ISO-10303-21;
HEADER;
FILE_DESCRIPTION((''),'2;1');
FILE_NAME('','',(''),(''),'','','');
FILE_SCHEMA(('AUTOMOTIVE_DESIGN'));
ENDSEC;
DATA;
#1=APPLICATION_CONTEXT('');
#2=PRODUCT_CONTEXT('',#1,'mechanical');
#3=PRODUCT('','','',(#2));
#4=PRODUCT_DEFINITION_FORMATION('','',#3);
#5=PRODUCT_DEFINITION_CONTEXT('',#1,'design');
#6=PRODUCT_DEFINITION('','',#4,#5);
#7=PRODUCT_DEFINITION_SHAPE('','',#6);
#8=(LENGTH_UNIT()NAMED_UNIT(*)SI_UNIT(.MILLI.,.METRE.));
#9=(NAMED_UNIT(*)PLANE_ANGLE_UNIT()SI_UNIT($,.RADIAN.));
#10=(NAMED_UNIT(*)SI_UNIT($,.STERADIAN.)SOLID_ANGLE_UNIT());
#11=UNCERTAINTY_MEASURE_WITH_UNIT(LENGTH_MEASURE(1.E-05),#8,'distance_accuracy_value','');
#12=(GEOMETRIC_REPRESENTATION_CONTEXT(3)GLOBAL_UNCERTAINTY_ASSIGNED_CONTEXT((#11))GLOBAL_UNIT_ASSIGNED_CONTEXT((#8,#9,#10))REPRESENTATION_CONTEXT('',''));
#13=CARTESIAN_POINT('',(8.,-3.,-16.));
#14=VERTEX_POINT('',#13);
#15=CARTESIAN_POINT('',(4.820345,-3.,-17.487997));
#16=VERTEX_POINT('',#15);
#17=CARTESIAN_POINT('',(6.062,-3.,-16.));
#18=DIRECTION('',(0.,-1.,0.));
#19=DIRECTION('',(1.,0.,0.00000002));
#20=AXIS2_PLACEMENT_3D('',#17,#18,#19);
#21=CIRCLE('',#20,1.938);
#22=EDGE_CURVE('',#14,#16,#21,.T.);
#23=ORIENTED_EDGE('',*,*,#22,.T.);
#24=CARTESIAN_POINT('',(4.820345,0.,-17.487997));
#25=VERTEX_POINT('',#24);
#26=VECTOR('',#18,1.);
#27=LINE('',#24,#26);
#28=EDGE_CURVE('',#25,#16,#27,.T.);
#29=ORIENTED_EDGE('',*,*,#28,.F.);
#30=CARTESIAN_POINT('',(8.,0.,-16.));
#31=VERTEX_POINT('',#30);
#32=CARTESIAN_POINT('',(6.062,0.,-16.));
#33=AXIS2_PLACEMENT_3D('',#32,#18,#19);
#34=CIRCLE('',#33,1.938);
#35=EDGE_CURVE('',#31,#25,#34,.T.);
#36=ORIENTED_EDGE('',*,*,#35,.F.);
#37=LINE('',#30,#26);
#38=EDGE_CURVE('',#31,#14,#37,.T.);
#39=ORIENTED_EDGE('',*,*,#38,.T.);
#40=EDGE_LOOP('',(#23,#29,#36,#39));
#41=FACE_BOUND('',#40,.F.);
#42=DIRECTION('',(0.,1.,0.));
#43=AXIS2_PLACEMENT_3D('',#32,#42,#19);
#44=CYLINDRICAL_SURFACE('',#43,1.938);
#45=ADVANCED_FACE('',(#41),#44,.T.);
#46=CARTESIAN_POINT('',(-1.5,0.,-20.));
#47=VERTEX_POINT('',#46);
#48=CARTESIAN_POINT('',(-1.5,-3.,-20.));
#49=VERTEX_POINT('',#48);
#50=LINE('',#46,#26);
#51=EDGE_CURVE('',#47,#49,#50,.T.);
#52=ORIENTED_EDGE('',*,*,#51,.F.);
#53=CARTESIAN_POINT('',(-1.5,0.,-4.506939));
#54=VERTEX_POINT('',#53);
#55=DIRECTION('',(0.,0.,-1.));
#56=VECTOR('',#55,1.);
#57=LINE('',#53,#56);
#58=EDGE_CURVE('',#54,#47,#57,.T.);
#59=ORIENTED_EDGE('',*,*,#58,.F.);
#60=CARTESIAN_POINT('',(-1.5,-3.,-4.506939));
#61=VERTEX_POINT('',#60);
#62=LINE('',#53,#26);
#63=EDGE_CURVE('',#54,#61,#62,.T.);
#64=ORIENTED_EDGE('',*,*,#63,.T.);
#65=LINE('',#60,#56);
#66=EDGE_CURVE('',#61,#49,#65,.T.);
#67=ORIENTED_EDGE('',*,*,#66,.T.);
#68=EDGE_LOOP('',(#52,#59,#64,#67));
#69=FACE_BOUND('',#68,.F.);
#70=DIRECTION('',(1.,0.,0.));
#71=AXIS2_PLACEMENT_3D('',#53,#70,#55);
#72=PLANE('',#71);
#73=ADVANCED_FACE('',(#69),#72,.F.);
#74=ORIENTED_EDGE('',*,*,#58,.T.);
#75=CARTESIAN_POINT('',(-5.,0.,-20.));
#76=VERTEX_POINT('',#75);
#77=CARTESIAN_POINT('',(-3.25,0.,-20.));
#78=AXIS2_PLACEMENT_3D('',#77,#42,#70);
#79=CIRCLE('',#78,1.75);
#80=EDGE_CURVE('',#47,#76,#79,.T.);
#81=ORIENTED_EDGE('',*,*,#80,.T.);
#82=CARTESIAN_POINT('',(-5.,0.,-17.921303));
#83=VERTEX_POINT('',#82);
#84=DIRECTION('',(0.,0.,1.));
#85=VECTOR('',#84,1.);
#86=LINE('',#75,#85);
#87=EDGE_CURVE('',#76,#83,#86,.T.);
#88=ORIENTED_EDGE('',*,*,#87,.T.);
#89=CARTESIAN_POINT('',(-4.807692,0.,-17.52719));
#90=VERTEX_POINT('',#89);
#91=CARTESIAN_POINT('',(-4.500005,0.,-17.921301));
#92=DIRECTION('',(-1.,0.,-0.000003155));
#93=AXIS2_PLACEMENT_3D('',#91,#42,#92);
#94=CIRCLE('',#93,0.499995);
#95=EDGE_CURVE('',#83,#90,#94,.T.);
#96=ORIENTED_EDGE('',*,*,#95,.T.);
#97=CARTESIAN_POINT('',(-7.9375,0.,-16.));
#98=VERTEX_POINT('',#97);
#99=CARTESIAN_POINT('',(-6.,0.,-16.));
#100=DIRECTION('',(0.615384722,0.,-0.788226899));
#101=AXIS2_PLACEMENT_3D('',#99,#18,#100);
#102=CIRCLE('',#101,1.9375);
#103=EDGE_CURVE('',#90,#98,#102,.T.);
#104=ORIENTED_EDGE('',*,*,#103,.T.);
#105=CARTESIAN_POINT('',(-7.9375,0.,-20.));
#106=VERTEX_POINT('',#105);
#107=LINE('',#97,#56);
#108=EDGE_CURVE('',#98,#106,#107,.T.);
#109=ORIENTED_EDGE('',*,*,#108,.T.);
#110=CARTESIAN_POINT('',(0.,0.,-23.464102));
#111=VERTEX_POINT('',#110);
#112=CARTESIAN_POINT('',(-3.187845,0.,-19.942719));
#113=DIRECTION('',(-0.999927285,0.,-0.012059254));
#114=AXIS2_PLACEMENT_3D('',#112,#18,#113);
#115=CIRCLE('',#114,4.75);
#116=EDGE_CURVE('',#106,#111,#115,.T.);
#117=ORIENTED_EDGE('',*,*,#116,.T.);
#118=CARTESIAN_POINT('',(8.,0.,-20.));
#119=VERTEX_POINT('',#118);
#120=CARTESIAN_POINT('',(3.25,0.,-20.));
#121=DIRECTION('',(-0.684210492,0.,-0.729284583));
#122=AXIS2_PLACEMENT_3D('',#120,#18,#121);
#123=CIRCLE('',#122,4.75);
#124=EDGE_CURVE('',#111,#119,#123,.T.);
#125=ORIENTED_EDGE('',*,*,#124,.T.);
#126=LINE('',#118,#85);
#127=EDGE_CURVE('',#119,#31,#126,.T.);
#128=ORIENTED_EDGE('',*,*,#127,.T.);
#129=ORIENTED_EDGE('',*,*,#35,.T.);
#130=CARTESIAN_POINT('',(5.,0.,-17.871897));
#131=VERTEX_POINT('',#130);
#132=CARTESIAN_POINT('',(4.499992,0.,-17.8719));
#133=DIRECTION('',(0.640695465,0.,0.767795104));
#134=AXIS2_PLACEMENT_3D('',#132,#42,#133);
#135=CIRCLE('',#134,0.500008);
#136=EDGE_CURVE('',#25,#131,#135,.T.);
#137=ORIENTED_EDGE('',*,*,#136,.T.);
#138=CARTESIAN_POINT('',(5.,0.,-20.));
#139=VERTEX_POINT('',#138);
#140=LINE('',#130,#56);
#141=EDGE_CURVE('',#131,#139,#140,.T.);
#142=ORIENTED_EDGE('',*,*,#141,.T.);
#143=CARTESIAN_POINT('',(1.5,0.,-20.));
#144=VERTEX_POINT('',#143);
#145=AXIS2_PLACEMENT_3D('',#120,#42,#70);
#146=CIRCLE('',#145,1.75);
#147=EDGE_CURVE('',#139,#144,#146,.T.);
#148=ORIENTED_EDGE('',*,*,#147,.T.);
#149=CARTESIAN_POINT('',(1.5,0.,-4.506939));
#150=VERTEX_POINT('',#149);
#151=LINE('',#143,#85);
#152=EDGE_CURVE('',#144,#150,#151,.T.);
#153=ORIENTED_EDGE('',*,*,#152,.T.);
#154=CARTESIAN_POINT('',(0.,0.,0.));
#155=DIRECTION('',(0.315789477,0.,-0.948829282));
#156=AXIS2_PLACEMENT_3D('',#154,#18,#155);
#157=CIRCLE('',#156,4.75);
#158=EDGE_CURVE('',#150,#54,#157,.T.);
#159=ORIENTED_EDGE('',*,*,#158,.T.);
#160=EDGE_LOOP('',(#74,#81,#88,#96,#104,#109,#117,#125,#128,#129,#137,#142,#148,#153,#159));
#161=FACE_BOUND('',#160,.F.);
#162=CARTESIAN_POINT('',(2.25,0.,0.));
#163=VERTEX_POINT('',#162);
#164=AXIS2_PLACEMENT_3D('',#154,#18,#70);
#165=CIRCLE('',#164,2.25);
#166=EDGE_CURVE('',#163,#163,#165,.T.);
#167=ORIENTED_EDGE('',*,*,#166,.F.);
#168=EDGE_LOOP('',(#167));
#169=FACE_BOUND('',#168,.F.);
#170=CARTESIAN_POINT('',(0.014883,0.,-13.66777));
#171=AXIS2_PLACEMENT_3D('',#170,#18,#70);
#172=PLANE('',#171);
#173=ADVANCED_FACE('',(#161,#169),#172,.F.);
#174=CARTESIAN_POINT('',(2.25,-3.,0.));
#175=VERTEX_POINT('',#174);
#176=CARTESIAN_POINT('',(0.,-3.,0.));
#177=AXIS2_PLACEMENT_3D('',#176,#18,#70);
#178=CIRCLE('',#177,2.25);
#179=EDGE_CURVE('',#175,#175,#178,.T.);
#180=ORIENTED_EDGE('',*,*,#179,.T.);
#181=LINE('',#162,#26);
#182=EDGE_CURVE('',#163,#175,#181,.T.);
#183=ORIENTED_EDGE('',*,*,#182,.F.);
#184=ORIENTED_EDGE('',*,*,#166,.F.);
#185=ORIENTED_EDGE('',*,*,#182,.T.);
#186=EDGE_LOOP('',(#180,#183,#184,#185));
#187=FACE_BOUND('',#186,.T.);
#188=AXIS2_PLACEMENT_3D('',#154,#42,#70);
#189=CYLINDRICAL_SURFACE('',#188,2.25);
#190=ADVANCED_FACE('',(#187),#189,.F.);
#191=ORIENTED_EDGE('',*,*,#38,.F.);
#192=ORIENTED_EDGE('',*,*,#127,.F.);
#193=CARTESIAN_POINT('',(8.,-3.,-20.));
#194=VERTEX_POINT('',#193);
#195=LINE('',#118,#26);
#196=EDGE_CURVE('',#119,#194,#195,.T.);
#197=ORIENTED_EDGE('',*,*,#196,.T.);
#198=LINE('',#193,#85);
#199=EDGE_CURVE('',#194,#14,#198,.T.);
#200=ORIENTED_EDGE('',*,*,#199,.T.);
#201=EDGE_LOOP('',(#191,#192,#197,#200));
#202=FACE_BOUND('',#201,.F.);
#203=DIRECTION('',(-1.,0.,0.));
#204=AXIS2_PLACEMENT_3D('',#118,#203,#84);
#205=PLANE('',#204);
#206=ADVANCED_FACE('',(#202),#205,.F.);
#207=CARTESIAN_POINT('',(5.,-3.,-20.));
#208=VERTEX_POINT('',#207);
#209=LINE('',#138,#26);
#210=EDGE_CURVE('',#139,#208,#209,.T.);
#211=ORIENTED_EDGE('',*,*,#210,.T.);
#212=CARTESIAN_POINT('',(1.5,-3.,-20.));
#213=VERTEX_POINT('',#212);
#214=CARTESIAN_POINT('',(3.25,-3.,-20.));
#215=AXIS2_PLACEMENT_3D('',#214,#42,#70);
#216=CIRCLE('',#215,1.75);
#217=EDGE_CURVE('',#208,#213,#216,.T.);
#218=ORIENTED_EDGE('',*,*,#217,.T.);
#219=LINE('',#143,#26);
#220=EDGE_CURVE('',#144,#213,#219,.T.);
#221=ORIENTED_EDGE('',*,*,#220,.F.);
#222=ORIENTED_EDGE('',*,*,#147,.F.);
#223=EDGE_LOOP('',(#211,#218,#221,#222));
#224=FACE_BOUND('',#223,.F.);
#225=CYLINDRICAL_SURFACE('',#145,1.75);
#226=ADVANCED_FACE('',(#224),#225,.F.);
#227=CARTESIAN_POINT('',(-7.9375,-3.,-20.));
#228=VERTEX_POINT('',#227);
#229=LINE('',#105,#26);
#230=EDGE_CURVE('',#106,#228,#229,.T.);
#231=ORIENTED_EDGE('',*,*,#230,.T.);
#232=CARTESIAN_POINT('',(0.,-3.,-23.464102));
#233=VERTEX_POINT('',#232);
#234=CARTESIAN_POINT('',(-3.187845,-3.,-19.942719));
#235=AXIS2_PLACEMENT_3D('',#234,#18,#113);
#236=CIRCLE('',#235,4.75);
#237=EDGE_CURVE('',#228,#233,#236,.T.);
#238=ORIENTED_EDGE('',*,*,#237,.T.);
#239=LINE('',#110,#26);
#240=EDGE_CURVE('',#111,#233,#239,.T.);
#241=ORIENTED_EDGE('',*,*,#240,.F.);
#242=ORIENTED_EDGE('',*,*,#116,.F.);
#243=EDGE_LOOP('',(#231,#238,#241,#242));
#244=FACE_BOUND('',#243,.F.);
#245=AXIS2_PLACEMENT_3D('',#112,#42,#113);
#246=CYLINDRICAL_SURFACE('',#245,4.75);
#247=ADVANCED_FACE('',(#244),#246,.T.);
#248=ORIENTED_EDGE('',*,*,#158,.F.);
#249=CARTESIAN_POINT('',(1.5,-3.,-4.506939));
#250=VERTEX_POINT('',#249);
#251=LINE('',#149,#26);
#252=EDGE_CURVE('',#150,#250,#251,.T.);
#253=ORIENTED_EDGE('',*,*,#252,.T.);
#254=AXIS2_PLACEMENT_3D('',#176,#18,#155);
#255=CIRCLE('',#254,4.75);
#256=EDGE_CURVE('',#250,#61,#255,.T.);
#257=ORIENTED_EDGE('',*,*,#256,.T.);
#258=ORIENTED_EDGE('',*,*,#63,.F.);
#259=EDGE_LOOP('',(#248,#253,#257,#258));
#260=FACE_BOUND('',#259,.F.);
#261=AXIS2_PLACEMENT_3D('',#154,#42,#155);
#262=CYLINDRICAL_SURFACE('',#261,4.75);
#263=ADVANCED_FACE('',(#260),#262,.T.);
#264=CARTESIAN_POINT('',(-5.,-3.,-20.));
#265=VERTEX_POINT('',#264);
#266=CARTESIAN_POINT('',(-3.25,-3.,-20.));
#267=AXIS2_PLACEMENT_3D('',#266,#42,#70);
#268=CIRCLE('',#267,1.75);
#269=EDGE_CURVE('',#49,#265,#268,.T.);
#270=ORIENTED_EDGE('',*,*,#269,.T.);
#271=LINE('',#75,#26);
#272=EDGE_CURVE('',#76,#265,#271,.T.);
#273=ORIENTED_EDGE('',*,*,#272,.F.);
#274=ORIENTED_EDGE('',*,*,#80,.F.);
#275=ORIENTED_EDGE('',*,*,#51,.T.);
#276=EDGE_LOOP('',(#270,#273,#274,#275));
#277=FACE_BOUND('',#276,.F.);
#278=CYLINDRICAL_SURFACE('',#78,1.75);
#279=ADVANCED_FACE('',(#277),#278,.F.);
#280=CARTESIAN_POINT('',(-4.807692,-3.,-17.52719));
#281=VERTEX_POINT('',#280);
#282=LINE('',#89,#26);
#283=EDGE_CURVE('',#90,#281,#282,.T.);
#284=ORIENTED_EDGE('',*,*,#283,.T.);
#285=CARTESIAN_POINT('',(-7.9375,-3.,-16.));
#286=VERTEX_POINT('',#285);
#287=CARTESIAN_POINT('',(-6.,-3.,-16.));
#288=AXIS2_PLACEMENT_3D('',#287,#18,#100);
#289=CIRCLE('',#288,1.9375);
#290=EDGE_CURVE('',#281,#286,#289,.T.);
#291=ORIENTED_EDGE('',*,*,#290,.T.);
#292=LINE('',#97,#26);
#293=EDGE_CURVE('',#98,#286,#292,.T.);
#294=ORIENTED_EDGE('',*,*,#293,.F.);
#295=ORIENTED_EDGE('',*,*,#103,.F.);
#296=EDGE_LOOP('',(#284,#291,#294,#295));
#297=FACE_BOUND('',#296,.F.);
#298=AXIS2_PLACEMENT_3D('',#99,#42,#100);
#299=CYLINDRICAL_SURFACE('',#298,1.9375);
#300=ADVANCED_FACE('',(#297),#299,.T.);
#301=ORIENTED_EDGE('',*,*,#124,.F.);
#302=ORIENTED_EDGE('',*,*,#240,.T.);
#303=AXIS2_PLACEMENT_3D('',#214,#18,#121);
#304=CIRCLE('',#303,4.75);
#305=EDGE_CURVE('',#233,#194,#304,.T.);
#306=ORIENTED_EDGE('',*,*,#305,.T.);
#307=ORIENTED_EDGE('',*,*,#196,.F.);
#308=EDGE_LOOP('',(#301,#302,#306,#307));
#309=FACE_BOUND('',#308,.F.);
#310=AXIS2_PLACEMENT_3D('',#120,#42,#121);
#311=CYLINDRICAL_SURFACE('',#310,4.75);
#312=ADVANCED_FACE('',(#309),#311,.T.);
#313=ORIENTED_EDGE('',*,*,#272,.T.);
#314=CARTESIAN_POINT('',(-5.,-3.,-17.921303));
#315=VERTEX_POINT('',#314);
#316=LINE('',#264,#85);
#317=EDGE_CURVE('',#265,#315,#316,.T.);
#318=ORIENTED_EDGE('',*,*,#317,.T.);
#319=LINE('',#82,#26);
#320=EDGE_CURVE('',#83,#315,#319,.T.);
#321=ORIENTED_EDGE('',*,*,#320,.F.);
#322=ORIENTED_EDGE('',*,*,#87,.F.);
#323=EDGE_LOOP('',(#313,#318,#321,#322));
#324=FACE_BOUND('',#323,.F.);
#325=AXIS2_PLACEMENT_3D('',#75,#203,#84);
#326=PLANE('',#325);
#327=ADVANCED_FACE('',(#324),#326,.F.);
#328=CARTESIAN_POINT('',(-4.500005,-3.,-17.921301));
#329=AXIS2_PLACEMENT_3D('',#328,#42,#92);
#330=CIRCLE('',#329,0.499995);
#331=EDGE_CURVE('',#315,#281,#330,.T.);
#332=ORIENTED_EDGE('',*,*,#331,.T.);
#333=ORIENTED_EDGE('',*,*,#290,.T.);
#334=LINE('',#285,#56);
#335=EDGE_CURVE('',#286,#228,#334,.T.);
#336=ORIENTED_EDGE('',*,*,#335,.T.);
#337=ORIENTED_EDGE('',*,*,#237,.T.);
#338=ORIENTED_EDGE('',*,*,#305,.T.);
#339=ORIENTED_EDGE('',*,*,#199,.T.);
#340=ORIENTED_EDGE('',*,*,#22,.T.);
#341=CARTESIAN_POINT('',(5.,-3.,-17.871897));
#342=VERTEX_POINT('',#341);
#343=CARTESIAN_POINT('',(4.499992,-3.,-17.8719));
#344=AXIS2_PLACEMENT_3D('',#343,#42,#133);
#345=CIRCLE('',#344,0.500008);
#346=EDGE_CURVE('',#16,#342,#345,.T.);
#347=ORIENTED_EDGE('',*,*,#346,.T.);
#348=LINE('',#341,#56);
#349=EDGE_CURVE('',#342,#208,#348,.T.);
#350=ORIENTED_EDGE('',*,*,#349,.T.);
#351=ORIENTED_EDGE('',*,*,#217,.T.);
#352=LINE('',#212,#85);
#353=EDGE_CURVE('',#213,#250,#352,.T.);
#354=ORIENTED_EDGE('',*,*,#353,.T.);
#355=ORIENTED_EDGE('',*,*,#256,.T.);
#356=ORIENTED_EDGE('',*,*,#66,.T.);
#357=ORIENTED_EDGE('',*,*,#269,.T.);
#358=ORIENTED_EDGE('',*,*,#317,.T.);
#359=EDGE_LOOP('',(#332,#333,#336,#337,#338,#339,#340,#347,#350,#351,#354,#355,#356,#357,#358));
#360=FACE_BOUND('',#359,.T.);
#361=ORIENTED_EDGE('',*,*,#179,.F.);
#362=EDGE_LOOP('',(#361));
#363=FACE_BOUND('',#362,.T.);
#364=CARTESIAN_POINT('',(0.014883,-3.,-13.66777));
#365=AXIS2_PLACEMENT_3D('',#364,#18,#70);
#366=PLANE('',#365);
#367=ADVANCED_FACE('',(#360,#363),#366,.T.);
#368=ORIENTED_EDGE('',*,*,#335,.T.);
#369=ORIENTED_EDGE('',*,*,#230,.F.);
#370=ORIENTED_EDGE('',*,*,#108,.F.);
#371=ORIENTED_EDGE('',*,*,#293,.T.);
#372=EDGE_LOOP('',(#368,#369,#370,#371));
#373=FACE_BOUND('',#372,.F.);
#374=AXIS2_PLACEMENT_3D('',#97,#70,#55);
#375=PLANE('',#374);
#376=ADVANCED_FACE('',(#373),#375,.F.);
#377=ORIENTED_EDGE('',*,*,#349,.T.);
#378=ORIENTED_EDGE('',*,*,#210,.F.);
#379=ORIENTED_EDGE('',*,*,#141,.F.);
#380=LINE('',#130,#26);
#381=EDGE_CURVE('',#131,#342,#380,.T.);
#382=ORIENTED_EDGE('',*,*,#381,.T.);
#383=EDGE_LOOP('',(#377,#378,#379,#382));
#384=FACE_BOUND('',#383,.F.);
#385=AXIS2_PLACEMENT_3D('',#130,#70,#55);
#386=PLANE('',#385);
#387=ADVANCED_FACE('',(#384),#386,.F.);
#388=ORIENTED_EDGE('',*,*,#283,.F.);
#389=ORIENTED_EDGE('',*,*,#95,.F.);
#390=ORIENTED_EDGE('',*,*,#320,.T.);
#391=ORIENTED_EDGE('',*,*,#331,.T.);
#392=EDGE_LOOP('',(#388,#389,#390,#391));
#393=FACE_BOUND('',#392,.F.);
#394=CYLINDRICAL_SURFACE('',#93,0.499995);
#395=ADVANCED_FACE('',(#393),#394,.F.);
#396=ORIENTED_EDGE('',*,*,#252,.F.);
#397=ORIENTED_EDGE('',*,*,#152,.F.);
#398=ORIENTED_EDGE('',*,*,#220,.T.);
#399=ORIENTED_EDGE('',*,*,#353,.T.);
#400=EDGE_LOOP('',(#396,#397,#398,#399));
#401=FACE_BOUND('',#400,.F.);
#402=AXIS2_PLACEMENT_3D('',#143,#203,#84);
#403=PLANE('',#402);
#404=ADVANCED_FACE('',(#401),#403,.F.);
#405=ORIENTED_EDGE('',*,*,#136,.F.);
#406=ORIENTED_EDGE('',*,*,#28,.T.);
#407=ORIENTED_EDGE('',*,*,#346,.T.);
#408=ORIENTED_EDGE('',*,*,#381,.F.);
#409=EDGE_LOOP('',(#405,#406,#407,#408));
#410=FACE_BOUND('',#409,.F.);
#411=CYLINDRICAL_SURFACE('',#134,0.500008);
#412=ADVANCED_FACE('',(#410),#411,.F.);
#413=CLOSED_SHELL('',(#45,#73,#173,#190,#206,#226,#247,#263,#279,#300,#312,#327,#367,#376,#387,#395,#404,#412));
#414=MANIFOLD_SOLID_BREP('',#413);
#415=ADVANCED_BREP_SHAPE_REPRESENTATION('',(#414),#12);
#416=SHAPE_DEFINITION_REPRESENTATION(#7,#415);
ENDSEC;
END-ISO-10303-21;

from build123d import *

# Parameters (mm, degrees)
F1_R     = 2.25
F0_DEPTH = 3


with BuildPart() as f0:
    # F1 (on Front) → F0 (new body)
    with BuildSketch(Plane.XZ):
        with BuildLine():
            Line((1.5, -20), (1.5, -4.506939))
            ThreePointArc((1.5, -4.506939), (0, 4.75), (-1.5, -4.506939))
            Line((-1.5, -4.506939), (-1.5, -20))
            ThreePointArc((-1.5, -20), (-3.25, -21.75), (-5, -20))
            Line((-5, -20), (-5, -17.921303))
            ThreePointArc((-5, -17.921303), (-4.949359, -17.702039), (-4.807692, -17.52719))
            ThreePointArc((-4.807692, -17.52719), (-5.15035, -14.258736), (-7.9375, -16))
            Line((-7.9375, -16), (-7.9375, -20))
            ThreePointArc((-7.9375, -20), (-5.087796, -24.296187), (0, -23.464102))
            ThreePointArc((0, -23.464102), (5.137459, -24.358899), (8, -20))
            Line((8, -20), (8, -16))
            ThreePointArc((8, -16), (5.240564, -14.244698), (4.820345, -17.487997))
            ThreePointArc((4.820345, -17.487997), (4.952864, -17.659969), (5, -17.871897))
            Line((5, -17.871897), (5, -20))
            ThreePointArc((5, -20), (3.25, -21.75), (1.5, -20))
        make_face()
        Circle(F1_R, mode=Mode.SUBTRACT)
    extrude(amount=F0_DEPTH)


solid = f0.part
